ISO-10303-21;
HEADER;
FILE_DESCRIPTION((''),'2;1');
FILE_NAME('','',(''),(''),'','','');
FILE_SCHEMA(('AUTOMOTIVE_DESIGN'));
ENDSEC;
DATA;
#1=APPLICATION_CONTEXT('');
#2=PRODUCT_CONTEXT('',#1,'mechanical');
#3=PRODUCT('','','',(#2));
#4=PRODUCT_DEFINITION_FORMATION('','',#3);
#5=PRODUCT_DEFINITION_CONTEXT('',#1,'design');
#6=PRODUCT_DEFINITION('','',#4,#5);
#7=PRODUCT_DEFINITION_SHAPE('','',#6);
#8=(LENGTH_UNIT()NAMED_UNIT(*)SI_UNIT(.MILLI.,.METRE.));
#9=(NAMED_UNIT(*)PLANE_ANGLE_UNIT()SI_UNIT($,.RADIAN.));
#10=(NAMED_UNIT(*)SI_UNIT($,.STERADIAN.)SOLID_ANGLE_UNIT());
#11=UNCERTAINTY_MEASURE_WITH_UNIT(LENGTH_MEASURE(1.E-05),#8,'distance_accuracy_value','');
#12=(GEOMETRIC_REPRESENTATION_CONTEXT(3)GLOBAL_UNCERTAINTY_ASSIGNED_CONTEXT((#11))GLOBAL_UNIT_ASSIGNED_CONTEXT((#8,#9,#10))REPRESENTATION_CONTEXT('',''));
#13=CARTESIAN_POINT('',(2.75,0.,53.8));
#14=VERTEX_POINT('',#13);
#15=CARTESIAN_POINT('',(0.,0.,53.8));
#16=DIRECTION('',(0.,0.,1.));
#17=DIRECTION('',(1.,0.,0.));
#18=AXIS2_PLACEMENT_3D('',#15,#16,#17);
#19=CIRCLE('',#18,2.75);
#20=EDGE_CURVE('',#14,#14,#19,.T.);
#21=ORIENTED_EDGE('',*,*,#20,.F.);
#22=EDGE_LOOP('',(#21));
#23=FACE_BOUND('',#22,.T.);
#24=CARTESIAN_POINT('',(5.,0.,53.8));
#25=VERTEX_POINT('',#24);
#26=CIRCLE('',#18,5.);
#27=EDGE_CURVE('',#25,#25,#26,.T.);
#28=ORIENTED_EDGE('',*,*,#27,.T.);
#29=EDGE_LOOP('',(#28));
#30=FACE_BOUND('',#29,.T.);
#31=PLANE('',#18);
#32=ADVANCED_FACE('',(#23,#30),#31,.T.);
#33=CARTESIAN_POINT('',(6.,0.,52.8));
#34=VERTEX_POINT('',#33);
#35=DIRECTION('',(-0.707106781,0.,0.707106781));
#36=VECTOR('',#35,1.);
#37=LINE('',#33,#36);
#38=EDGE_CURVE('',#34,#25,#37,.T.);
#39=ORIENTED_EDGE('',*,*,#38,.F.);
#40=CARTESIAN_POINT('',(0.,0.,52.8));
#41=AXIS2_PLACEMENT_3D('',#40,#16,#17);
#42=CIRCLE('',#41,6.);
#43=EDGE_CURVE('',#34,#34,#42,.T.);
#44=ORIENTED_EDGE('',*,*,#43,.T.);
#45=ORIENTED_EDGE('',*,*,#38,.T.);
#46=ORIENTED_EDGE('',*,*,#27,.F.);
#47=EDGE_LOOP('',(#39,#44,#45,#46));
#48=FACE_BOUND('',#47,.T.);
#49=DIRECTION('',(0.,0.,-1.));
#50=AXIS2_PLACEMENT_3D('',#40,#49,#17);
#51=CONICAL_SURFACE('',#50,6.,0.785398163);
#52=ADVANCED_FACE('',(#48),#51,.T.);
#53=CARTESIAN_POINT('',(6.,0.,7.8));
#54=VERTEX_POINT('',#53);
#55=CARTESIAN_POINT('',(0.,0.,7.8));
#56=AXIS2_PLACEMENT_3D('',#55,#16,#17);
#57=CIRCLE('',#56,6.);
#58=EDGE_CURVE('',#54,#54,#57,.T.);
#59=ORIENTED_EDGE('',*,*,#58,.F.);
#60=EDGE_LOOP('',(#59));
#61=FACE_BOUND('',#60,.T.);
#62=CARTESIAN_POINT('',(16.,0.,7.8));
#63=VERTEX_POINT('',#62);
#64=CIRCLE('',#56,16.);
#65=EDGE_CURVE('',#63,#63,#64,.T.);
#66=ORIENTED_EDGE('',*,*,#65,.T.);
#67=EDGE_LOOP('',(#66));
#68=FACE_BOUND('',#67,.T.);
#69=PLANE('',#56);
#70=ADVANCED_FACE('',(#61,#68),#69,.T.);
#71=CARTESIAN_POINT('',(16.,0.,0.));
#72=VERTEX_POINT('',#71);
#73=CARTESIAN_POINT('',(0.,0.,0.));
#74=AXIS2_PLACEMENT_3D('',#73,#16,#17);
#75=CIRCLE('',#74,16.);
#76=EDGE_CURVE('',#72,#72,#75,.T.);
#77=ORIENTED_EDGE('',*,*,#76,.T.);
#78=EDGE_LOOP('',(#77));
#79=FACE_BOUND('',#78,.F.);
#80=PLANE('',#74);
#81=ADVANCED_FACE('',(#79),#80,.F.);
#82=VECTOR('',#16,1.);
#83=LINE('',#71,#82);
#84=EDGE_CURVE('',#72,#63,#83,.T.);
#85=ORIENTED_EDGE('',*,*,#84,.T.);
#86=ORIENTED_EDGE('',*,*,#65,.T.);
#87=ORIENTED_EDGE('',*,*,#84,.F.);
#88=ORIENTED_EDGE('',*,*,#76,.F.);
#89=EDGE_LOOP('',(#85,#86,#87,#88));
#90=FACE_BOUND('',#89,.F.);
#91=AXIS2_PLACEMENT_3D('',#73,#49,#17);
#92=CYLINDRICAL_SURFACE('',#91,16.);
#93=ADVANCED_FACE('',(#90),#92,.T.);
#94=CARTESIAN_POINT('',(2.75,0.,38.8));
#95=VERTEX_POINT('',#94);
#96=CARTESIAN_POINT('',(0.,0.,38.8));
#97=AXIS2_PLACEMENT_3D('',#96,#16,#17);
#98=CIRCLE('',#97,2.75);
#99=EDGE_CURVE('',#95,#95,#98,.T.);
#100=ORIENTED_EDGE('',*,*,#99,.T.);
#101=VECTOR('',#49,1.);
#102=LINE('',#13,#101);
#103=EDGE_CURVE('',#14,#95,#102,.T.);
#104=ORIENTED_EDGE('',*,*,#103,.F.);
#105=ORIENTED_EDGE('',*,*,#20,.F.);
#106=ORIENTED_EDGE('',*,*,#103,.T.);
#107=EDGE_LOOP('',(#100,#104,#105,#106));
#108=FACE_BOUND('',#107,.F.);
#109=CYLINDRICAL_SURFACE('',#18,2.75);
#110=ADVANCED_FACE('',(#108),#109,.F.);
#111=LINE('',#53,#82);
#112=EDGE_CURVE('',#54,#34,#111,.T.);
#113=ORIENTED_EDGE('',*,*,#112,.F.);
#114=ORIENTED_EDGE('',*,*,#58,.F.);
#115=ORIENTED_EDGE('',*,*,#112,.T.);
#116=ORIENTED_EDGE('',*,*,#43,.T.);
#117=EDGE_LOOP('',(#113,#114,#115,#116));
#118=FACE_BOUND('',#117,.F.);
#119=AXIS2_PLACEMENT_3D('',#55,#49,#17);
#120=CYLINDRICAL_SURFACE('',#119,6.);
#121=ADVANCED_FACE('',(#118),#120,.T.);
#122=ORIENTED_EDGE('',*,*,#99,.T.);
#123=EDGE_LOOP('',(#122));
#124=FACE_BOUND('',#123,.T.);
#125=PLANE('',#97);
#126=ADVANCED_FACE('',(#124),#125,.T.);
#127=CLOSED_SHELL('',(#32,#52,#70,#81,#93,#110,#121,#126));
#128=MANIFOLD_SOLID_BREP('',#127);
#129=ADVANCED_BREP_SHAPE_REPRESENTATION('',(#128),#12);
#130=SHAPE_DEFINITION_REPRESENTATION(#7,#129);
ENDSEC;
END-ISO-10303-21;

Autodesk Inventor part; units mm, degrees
ref_plane "YZ Plane" through (0, 0, 0) normal (1, 0, 0) x (0, 1, 0)
ref_plane "XZ Plane" through (0, 0, 0) normal (0, 1, 0) x (-1, 0, 0)
ref_plane "XY Plane" through (0, 0, 0) normal (0, 0, 1) x (1, 0, 0)
sketch "Sketch1" plane through (0, 0, 0) normal (0, 0, 1) x (1, 0, 0)
  circle A0 centre (0, 0) radius 16
  dimension "d0" = 32
extrude "Extrusion1" add sketch "Sketch1" along normal blind 7.8
sketch "Sketch2" plane through (0, 0, 7.8) normal (0, 0, 1) x (1, 0, 0)
  circle A0 centre (0, 0) radius 16 projected
  circle A1 centre (0, 0) radius 6
  dimension "d3" = 12
extrude "Extrusion2" add sketch "Sketch2" along normal blind 46 contours A1
sketch "Sketch3" plane through (0, 0, 53.8) normal (0, 0, 1) x (1, 0, 0)
  circle A0 centre (0, 0) radius 6 projected
  circle A1 centre (0, 0) radius 2.75
  dimension "d6" = 5.5
extrude "Extrusion3" cut sketch "Sketch3" against normal blind 15 contours A1
chamfer "Chamfer1" distance 1 angle 45 1 edges at (-6, 0, 53.8)
properties part number "piston" material "Stainless Steel"
